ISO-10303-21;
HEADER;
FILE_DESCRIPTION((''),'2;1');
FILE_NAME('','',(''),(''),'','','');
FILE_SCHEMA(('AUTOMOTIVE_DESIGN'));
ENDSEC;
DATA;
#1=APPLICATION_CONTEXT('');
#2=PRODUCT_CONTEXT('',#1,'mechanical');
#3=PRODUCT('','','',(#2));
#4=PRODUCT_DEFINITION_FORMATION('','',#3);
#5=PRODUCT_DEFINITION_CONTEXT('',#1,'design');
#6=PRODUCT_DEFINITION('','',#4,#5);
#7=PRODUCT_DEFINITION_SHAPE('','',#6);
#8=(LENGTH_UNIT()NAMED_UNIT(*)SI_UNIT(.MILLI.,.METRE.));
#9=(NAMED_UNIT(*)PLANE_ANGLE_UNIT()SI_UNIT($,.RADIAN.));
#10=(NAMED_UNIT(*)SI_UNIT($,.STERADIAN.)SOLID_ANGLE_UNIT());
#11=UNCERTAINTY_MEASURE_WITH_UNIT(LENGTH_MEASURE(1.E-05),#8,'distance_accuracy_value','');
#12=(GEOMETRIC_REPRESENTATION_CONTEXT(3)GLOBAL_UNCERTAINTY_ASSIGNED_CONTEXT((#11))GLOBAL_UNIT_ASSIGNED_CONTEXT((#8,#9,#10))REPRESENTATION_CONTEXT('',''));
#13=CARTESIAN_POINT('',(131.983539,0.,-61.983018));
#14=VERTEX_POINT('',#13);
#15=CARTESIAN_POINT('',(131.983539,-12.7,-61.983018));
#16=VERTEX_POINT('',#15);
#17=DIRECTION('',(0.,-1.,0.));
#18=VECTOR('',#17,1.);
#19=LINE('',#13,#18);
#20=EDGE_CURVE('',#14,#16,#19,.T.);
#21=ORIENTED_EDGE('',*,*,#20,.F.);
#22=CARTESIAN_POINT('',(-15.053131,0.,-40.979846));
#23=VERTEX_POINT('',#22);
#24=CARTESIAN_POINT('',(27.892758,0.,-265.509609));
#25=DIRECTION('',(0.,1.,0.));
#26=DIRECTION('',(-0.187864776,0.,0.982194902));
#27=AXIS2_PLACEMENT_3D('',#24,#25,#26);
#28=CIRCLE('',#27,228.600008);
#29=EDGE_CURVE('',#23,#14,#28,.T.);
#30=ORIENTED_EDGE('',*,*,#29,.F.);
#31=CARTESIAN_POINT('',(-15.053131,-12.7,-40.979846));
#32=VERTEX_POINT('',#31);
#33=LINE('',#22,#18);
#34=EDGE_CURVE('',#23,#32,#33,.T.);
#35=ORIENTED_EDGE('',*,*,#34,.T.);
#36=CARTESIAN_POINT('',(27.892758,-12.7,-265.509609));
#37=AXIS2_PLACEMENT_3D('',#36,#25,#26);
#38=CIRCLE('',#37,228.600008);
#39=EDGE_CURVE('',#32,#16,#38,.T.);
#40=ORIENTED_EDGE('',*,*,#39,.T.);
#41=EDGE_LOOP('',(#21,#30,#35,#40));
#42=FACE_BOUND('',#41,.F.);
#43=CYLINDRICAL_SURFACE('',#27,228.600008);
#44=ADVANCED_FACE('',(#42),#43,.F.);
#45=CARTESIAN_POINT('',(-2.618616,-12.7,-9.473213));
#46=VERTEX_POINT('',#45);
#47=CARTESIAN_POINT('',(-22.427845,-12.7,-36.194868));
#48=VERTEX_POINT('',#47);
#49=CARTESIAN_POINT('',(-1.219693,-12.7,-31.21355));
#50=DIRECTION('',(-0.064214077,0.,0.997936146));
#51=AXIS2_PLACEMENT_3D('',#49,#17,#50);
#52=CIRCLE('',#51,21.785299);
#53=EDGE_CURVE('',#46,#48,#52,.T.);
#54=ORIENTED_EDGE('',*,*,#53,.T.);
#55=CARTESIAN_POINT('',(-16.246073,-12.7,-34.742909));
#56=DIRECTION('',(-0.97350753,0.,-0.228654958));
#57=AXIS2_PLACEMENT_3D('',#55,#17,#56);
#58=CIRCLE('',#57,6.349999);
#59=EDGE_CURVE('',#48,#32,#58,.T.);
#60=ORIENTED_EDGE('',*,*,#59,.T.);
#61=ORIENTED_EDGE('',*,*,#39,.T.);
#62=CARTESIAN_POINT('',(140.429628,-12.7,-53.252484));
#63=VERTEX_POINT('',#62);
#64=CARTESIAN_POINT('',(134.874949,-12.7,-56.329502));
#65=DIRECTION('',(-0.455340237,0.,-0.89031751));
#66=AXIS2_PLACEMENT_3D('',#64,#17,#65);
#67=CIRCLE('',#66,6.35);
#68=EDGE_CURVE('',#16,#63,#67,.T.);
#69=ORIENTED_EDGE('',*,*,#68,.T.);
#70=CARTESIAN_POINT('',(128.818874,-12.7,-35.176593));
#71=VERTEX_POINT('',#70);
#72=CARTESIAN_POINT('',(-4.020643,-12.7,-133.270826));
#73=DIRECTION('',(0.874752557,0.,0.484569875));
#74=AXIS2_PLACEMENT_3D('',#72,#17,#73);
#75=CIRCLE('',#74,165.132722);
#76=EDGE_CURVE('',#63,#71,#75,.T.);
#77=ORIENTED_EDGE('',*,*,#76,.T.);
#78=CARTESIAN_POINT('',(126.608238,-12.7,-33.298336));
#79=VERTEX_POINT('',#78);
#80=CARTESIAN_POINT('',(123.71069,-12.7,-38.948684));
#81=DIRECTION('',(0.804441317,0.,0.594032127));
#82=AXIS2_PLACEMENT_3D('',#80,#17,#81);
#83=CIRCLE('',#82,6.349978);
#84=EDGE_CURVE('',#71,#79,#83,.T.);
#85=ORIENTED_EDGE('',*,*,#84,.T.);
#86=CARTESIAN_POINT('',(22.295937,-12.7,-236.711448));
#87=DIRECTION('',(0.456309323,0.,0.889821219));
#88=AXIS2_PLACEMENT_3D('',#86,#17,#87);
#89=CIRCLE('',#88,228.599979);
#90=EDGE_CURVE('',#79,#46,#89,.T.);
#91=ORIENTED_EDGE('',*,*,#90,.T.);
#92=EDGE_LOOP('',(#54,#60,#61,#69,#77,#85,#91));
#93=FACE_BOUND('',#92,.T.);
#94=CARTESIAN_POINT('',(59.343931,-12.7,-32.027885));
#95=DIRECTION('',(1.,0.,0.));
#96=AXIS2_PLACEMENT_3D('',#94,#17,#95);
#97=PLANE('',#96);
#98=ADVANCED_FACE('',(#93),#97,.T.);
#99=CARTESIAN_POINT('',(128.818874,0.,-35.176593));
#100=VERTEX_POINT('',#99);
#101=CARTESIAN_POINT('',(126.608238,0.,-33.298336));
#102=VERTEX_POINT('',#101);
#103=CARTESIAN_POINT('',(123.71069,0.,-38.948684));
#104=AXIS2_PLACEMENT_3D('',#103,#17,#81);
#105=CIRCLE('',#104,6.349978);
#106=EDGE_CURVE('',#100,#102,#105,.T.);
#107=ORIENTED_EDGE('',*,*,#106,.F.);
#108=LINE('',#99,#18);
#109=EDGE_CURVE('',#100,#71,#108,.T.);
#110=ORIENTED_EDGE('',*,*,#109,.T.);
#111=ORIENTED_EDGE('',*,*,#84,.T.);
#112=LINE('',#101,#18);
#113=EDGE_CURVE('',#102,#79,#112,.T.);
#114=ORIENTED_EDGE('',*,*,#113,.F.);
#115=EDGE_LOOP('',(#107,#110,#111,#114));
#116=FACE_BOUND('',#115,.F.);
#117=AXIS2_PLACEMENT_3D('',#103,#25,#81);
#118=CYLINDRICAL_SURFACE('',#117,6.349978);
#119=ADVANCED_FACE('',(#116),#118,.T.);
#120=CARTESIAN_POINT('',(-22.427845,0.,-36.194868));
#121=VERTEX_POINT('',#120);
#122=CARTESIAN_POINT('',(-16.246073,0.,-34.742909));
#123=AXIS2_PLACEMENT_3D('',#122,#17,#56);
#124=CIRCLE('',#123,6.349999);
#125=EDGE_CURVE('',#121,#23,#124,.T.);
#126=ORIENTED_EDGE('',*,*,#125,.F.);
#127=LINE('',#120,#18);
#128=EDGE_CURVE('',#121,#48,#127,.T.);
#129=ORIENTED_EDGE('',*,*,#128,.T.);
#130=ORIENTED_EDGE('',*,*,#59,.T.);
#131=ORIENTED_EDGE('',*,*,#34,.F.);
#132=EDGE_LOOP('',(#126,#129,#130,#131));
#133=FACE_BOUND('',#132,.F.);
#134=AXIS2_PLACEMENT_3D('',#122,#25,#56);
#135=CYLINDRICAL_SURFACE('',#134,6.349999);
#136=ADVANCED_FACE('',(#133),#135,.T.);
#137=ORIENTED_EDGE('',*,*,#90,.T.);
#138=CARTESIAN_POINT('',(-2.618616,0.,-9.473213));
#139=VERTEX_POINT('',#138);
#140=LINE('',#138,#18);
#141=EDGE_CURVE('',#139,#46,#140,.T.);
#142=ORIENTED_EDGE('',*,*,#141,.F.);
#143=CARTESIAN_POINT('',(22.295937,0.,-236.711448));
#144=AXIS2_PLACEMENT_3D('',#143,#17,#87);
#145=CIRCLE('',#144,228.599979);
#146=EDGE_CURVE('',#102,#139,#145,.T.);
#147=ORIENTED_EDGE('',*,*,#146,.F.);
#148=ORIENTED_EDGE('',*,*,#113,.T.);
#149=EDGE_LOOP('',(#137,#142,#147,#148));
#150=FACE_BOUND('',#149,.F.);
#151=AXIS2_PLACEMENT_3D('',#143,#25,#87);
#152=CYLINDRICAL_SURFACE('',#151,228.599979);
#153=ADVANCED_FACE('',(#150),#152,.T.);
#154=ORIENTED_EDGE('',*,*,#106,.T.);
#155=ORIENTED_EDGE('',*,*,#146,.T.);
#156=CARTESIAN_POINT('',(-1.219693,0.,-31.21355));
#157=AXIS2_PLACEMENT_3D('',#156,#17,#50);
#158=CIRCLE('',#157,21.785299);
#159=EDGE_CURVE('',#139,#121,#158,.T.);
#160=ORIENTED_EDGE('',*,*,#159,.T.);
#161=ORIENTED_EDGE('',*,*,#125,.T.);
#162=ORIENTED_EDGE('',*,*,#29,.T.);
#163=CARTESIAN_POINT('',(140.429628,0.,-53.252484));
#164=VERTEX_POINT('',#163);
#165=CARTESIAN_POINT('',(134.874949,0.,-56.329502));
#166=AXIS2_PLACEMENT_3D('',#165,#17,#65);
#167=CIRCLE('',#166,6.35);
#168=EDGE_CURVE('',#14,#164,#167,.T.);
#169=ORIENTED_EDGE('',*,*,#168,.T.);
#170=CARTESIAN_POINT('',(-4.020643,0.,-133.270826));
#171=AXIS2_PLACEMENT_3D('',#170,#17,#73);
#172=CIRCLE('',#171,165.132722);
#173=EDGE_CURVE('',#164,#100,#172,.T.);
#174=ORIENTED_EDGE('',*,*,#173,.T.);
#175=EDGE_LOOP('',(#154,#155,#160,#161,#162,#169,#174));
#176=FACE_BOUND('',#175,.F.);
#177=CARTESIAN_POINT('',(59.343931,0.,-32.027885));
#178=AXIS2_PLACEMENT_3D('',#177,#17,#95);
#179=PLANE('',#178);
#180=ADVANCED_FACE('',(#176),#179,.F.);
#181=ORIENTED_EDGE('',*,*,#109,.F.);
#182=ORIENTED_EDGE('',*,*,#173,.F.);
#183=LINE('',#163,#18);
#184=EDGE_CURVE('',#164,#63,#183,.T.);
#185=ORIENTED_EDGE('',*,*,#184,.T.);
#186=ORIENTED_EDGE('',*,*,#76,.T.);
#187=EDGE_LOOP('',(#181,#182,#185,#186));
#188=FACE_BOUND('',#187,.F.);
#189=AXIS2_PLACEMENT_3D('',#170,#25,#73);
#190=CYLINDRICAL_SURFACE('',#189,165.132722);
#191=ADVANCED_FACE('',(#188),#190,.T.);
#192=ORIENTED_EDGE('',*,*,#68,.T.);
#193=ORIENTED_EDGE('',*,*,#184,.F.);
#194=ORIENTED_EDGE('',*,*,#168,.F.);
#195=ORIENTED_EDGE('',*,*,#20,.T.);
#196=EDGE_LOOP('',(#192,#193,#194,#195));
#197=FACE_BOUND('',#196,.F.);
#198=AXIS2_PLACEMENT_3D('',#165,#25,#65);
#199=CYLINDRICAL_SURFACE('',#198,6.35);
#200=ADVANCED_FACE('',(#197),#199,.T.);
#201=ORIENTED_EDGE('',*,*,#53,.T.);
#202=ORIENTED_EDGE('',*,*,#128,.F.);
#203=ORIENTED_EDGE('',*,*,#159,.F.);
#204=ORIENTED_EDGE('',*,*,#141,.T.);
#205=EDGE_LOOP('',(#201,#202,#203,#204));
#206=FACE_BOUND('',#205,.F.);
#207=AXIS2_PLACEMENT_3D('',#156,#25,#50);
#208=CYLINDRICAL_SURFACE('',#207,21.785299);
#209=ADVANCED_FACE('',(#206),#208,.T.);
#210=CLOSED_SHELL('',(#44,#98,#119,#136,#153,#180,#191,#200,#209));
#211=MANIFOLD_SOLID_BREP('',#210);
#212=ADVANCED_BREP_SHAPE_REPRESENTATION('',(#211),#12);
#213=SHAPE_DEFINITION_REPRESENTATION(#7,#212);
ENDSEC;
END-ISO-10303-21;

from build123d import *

# Parameters (mm, degrees)
F1_DEPTH = 12.7


with BuildPart() as f1:
    # F0 (on Front) → F1 (new body)
    with BuildSketch(Plane.XZ):
        with BuildLine():
            ThreePointArc((126.608238, -33.298336), (63.743612, -11.900326), (-2.618616, -9.473213))
            ThreePointArc((-2.618616, -9.473213), (-18.720598, -18.239824), (-22.427845, -36.194868))
            ThreePointArc((-22.427845, -36.194868), (-19.702387, -40.069858), (-15.053131, -40.979846))
            ThreePointArc((-15.053131, -40.979846), (60.218564, -39.206701), (131.983539, -61.983018))
            ThreePointArc((131.983539, -61.983018), (139.438808, -60.744668), (140.429628, -53.252484))
            ThreePointArc((140.429628, -53.252484), (134.91852, -44.025519), (128.818874, -35.176593))
            ThreePointArc((128.818874, -35.176593), (127.822247, -34.10954), (126.608238, -33.298336))
        make_face()
    extrude(amount=F1_DEPTH)


solid = f1.part
